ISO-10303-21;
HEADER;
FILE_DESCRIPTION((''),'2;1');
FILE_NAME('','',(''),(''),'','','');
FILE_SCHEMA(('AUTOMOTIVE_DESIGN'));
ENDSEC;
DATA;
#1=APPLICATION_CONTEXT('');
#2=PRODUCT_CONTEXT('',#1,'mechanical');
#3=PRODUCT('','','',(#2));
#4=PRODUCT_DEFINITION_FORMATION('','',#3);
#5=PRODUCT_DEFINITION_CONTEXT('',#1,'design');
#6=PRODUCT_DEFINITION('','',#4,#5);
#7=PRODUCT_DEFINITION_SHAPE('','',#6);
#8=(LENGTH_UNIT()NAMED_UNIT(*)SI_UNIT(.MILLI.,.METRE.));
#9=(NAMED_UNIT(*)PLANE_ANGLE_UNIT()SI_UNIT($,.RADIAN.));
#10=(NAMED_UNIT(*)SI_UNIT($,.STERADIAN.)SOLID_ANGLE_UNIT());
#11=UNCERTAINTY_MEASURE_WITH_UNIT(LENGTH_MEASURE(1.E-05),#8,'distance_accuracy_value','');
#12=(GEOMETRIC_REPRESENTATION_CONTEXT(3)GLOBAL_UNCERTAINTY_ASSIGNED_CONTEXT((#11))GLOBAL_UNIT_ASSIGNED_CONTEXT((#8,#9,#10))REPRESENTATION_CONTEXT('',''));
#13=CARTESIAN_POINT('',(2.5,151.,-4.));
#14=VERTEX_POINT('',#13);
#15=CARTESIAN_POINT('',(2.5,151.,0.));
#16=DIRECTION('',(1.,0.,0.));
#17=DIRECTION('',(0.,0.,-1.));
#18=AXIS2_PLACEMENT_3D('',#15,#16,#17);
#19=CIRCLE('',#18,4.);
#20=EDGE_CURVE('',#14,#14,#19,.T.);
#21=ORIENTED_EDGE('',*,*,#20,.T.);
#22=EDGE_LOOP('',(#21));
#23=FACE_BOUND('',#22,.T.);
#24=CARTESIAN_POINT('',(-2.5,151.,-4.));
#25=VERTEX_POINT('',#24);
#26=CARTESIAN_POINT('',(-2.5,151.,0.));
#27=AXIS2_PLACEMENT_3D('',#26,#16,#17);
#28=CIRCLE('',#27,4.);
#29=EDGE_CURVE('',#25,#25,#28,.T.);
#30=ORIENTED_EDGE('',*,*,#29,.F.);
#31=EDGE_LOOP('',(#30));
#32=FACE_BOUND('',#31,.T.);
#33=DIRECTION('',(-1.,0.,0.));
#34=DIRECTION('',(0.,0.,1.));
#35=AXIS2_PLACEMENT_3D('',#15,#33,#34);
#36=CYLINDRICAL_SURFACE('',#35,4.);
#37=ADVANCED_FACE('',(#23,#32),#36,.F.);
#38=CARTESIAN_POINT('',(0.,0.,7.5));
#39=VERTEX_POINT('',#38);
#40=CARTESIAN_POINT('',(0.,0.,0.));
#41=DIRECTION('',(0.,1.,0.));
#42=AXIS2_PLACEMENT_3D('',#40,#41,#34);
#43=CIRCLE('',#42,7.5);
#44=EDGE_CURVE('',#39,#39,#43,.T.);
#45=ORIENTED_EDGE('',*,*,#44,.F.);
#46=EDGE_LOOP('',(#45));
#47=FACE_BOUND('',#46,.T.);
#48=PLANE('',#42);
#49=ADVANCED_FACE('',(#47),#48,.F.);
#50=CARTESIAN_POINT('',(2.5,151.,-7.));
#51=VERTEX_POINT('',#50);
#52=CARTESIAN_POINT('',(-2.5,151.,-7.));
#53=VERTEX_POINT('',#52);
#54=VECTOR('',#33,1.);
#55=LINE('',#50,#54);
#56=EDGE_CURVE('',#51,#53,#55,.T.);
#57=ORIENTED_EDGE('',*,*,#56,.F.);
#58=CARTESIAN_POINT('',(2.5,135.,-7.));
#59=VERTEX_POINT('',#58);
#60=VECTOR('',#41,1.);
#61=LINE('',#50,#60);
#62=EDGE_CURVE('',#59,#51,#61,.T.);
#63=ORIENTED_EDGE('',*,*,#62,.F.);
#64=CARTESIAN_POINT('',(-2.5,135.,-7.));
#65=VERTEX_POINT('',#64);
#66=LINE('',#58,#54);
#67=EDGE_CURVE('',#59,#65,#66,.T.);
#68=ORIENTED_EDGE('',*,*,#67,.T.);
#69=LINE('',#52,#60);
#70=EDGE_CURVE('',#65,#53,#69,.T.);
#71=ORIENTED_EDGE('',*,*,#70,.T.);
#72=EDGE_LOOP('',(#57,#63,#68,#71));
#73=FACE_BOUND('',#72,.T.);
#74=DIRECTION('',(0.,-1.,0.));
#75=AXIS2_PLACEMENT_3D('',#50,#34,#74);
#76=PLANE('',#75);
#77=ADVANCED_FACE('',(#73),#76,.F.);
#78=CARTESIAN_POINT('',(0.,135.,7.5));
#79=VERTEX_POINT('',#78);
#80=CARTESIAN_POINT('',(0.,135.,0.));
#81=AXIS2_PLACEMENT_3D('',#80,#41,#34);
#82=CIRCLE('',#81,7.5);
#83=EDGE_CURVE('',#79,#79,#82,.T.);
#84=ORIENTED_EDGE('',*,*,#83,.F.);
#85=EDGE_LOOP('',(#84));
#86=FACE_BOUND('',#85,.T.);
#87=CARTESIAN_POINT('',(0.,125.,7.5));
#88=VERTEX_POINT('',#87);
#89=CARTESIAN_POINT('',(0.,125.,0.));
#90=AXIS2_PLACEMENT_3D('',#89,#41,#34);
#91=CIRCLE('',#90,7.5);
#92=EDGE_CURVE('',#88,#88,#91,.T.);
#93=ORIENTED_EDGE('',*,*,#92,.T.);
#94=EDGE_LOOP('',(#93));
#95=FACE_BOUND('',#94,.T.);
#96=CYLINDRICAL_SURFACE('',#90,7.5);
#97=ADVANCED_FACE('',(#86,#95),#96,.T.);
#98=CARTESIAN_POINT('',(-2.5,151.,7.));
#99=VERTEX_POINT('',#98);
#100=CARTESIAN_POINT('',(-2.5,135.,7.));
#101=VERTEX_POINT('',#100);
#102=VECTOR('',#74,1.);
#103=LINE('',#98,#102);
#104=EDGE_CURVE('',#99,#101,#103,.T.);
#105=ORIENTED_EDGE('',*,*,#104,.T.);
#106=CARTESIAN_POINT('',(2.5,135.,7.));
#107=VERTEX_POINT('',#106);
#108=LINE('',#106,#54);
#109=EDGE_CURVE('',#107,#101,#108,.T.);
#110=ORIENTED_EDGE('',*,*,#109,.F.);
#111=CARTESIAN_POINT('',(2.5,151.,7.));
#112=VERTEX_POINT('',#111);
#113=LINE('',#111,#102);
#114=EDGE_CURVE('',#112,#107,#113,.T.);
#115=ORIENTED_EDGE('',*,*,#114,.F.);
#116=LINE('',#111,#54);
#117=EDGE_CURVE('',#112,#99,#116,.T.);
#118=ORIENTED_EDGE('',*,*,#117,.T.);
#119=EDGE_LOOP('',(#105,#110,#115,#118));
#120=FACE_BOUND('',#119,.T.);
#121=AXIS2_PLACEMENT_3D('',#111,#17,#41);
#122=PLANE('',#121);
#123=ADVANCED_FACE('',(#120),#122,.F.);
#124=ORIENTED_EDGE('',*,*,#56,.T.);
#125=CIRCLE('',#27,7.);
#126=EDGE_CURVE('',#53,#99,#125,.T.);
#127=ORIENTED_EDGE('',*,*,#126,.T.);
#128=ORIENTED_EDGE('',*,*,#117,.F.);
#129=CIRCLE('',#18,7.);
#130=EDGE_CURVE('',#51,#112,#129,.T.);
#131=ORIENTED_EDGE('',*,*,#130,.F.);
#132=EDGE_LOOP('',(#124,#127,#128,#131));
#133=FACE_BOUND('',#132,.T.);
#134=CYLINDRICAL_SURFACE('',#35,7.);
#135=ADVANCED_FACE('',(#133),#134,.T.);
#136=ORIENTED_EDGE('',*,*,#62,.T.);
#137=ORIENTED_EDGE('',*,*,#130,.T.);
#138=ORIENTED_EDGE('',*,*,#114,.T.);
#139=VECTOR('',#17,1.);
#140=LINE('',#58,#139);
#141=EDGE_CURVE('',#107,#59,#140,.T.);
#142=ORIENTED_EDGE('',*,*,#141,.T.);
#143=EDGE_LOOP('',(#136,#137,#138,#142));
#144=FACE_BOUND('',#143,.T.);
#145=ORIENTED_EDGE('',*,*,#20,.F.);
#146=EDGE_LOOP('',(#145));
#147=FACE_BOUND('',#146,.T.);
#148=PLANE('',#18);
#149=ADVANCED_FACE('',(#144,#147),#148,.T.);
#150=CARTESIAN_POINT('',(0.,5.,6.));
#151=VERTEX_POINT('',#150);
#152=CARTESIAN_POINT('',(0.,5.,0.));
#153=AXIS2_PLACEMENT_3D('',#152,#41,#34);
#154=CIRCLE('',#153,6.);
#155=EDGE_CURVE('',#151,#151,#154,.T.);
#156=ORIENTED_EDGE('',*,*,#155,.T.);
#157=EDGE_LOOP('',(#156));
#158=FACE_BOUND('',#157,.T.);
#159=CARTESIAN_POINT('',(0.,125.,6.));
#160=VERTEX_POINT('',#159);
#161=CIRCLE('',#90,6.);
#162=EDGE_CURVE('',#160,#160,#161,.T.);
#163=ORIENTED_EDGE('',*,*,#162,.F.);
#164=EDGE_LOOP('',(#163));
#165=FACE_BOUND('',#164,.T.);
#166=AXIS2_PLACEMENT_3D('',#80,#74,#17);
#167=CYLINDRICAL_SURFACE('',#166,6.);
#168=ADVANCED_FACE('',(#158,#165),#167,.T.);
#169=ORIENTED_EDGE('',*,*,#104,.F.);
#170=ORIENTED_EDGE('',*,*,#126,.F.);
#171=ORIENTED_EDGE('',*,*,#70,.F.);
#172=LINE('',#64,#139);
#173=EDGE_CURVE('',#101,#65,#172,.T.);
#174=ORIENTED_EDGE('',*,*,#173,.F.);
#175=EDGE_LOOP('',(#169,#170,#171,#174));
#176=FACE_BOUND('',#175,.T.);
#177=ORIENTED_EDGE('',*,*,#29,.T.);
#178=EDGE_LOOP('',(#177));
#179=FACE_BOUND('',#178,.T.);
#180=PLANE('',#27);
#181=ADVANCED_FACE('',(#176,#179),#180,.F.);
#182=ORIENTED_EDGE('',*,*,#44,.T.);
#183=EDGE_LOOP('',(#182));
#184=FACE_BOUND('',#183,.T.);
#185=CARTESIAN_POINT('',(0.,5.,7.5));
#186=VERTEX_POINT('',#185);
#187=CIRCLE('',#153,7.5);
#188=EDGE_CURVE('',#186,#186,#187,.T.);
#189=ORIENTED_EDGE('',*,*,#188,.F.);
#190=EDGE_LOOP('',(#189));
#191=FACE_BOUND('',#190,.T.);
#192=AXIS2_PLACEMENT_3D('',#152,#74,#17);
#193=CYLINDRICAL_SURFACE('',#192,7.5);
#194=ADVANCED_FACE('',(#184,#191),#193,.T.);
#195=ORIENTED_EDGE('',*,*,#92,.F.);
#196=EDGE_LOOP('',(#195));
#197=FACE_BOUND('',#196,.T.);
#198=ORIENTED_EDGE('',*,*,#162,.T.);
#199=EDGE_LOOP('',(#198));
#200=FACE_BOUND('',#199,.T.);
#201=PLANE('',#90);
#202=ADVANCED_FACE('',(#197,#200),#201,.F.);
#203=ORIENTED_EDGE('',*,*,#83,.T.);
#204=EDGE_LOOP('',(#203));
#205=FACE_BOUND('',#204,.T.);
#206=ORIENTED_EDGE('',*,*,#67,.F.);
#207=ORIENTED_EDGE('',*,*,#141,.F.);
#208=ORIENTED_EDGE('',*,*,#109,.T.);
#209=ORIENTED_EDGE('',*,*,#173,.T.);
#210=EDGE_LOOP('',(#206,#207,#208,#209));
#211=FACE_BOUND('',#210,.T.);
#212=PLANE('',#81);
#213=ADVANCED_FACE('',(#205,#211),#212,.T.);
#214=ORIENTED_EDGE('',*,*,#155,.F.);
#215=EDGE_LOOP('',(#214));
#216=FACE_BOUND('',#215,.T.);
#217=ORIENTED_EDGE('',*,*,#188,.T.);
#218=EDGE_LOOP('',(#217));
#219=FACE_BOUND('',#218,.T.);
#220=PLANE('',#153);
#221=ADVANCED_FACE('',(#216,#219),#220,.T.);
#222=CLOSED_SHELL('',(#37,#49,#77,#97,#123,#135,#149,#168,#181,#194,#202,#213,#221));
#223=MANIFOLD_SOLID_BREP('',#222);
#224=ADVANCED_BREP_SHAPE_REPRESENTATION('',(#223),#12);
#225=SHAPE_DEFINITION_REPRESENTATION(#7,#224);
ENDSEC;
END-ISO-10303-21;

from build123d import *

# Parameters (mm, degrees)
SKETCH_1_R      = 7.5
EXTRUDE_1_DEPTH = 5
SKETCH_2_R      = 6
EXTRUDE_2_DEPTH = 130
SKETCH_3_R      = 4
EXTRUDE_3_DEPTH = 2.5
EXTRUDE_START   = -10
SKETCH_4_R      = 7.5
EXTRUDE_4_DEPTH = 10


with BuildPart() as part:
    # 草圖1 → 填料-伸長1 (new body)
    with BuildSketch(Plane(origin=(0, 0, 0), x_dir=(1, 0, 0), z_dir=(0, 1, 0))):
        with Locations(Location((0, 0, 0), (0, 0, 270))):
            Circle(SKETCH_1_R)
    extrude(amount=EXTRUDE_1_DEPTH)

    # 草圖2 → 填料-伸長2 (add)
    with BuildSketch(Plane(origin=(0, 5, 0), x_dir=(1, 0, 0), z_dir=(0, 1, 0))):
        with Locations(Location((0, 0, 0), (0, 0, 270))):
            Circle(SKETCH_2_R)
    extrude(amount=EXTRUDE_2_DEPTH)

    # 草圖3 → 填料-伸長3 (add, symmetric)
    with BuildSketch(Plane(origin=(0, 0, 0), x_dir=(0, 0, -1), z_dir=(1, 0, 0))):
        with BuildLine():
            Line((-7, 151), (-7, 135))
            Line((-7, 135), (7, 135))
            Line((7, 135), (7, 151))
            ThreePointArc((7, 151), (0, 158), (-7, 151))
        make_face()
        with Locations((0, 151)):
            Circle(SKETCH_3_R, mode=Mode.SUBTRACT)
    extrude(amount=EXTRUDE_3_DEPTH, both=True)

    # 草圖4 → 填料-伸長4 (add)
    with BuildSketch(Plane(origin=(0, 135, 0), x_dir=(1, 0, 0), z_dir=(0, 1, 0)).offset(EXTRUDE_START)):
        with Locations(Location((0, 0, 0), (0, 0, 270))):
            Circle(SKETCH_4_R)
    extrude(amount=EXTRUDE_4_DEPTH)


solid = part.part
